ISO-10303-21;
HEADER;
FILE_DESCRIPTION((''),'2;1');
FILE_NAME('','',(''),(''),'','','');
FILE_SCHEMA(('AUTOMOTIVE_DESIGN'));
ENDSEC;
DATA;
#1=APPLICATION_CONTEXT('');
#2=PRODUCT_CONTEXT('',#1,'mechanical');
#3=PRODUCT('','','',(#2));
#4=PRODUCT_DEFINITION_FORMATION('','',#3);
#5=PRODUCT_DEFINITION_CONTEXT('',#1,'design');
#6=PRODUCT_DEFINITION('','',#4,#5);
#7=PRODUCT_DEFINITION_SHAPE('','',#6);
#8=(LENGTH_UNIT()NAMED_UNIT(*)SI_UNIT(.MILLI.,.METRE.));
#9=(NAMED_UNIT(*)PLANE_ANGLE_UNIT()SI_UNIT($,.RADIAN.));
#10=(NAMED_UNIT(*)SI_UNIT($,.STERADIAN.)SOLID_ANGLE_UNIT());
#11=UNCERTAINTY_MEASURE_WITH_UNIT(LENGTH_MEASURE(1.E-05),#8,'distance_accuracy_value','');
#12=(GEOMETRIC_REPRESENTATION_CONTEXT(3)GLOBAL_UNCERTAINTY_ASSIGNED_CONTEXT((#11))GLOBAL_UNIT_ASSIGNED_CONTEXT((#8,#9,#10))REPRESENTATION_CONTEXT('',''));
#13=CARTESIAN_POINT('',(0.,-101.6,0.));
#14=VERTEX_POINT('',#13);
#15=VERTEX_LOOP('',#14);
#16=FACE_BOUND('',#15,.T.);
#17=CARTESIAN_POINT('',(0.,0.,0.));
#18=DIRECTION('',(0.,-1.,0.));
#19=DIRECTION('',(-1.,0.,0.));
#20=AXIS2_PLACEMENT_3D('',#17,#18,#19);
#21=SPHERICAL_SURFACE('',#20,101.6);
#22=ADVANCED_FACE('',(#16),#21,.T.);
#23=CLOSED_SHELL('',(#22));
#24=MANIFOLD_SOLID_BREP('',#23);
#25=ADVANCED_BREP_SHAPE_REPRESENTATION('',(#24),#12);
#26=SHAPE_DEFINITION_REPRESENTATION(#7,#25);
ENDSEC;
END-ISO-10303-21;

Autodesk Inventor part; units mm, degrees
ref_plane "YZ Plane" through (0, 0, 0) normal (1, 0, 0) x (0, 1, 0)
ref_plane "XZ Plane" through (0, 0, 0) normal (0, 1, 0) x (-1, 0, 0)
ref_plane "XY Plane" through (0, 0, 0) normal (0, 0, 1) x (1, 0, 0)
sketch "Sketch1" plane through (0, 0, 0) normal (0, 0, 1) x (1, 0, 0)
  arc A0 (0, 101.6) -> (0, -101.6) centre (0, 0) ccw
  line L0 (0, 101.6) -> (0, -101.6)
  dimension "d0" = 203.2
  dimension "d1" = 203.2
revolve "Revolution1" add sketch "Sketch1" angle 360 about axis through (0, 101.6, 0) along (0, -1, 0)
properties part number "ball model"
